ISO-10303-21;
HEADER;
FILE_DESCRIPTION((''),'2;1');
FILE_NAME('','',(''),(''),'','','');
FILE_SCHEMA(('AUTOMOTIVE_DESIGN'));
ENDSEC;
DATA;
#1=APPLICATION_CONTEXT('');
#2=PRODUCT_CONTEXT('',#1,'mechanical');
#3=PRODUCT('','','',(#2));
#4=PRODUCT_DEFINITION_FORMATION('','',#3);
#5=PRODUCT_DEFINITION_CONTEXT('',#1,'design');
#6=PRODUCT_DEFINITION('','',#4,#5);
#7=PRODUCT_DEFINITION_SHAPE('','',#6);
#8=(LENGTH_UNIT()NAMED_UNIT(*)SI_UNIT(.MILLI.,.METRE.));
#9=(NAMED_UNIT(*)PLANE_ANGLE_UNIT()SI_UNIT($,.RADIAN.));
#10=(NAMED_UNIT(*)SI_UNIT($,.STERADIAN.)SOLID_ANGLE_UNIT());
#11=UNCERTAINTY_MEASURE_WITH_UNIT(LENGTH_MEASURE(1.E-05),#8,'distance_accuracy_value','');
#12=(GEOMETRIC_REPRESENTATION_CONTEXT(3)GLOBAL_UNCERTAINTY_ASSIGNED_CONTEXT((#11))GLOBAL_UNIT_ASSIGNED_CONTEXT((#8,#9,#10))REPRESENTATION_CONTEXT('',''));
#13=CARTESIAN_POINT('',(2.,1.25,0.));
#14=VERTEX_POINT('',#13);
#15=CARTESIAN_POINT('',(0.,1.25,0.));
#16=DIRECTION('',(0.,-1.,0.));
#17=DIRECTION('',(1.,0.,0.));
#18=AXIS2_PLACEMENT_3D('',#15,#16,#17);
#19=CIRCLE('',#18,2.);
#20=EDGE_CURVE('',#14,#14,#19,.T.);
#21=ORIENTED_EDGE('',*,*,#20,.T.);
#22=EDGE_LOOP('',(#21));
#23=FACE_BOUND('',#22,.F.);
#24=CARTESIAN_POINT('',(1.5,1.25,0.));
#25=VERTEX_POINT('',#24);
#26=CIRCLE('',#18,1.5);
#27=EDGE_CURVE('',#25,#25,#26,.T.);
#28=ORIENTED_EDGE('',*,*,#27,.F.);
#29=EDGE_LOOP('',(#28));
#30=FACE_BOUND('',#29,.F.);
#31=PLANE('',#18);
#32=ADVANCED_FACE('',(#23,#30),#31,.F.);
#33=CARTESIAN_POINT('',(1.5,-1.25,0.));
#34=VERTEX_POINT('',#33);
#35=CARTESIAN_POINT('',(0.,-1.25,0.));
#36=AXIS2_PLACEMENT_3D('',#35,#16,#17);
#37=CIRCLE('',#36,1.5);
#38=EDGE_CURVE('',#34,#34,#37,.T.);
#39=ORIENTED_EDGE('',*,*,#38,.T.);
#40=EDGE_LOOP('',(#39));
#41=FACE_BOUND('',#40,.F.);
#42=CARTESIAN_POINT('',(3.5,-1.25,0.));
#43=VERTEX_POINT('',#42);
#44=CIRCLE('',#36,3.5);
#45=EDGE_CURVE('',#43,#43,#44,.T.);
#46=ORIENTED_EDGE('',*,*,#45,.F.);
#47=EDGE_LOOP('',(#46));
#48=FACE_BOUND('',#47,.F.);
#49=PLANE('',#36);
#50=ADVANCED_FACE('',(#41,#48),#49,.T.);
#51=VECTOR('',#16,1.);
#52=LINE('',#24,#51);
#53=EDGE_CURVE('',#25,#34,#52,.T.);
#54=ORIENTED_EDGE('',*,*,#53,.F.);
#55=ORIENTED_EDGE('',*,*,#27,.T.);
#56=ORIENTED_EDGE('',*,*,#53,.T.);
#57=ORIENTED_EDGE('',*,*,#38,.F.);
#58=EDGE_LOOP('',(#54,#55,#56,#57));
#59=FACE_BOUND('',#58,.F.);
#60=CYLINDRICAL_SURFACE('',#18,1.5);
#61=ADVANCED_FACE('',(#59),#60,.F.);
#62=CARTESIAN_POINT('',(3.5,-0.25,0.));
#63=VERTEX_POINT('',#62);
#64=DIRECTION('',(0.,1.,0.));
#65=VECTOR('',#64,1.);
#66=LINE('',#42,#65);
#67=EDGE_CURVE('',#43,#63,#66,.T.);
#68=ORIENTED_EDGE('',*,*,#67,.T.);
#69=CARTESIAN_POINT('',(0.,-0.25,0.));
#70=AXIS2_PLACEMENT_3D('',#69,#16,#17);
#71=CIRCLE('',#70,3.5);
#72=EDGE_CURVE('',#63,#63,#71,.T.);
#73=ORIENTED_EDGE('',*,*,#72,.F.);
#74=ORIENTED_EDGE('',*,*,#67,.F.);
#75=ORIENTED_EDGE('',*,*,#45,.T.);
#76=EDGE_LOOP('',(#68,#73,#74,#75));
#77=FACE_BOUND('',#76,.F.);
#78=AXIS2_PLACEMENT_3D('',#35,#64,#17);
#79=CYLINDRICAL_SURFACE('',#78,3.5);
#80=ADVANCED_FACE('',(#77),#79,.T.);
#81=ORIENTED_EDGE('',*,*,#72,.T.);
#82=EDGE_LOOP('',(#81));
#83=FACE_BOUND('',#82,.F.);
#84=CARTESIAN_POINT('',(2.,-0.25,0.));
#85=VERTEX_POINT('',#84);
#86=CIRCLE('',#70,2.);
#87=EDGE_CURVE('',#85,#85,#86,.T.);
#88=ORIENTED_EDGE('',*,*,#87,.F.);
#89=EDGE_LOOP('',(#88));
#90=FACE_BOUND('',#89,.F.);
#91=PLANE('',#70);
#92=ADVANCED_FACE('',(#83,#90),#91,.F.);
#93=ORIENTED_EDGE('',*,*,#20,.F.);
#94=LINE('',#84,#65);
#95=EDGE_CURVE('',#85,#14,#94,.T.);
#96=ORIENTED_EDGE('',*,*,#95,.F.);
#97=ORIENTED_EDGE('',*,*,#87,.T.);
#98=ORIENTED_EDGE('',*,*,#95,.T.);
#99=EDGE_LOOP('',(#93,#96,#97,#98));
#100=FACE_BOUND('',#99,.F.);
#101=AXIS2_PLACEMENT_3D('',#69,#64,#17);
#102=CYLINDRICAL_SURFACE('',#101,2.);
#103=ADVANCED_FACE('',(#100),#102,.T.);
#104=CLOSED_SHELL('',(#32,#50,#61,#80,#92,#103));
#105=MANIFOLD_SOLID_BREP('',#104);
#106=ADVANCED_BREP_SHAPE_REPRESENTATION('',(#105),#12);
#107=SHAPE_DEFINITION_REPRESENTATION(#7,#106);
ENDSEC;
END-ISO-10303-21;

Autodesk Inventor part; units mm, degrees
ref_plane "YZ Plane" through (0, 0, 0) normal (1, 0, 0) x (0, 1, 0)
ref_plane "XZ Plane" through (0, 0, 0) normal (0, 1, 0) x (-1, 0, 0)
ref_plane "XY Plane" through (0, 0, 0) normal (0, 0, 1) x (1, 0, 0)
sketch "スケッチ1" plane through (0, 0, 0) normal (0, 0, 1) x (1, 0, 0)
  line L0 (1.5, 1.25) -> (1.5, -1.25)
  line L1 (1.5, -1.25) -> (3.5, -1.25)
  line L2 (3.5, -1.25) -> (3.5, -0.25)
  line L3 (3.5, -0.25) -> (2, -0.25)
  line L4 (2, -0.25) -> (2, 1.25)
  line L5 (2, 1.25) -> (1.5, 1.25)
  line L6 (0, 1.7364) -> (0, -1.7364) construction
  point P0 (0, 0)
  point P1 (0, 0)
  point P2 (1.5, 0)
  dimension "d0" = 3
  dimension "d1" = 4
  dimension "d2" = 1
  dimension "d3" = 1.5
  dimension "d4" = 7
revolve "回転1" add sketch "スケッチ1" angle 360 about axis through (0, 1.7364, 0) along (0, -1, 0)
properties part number "D3040-7815B" material "アセタール樹脂、黒"
